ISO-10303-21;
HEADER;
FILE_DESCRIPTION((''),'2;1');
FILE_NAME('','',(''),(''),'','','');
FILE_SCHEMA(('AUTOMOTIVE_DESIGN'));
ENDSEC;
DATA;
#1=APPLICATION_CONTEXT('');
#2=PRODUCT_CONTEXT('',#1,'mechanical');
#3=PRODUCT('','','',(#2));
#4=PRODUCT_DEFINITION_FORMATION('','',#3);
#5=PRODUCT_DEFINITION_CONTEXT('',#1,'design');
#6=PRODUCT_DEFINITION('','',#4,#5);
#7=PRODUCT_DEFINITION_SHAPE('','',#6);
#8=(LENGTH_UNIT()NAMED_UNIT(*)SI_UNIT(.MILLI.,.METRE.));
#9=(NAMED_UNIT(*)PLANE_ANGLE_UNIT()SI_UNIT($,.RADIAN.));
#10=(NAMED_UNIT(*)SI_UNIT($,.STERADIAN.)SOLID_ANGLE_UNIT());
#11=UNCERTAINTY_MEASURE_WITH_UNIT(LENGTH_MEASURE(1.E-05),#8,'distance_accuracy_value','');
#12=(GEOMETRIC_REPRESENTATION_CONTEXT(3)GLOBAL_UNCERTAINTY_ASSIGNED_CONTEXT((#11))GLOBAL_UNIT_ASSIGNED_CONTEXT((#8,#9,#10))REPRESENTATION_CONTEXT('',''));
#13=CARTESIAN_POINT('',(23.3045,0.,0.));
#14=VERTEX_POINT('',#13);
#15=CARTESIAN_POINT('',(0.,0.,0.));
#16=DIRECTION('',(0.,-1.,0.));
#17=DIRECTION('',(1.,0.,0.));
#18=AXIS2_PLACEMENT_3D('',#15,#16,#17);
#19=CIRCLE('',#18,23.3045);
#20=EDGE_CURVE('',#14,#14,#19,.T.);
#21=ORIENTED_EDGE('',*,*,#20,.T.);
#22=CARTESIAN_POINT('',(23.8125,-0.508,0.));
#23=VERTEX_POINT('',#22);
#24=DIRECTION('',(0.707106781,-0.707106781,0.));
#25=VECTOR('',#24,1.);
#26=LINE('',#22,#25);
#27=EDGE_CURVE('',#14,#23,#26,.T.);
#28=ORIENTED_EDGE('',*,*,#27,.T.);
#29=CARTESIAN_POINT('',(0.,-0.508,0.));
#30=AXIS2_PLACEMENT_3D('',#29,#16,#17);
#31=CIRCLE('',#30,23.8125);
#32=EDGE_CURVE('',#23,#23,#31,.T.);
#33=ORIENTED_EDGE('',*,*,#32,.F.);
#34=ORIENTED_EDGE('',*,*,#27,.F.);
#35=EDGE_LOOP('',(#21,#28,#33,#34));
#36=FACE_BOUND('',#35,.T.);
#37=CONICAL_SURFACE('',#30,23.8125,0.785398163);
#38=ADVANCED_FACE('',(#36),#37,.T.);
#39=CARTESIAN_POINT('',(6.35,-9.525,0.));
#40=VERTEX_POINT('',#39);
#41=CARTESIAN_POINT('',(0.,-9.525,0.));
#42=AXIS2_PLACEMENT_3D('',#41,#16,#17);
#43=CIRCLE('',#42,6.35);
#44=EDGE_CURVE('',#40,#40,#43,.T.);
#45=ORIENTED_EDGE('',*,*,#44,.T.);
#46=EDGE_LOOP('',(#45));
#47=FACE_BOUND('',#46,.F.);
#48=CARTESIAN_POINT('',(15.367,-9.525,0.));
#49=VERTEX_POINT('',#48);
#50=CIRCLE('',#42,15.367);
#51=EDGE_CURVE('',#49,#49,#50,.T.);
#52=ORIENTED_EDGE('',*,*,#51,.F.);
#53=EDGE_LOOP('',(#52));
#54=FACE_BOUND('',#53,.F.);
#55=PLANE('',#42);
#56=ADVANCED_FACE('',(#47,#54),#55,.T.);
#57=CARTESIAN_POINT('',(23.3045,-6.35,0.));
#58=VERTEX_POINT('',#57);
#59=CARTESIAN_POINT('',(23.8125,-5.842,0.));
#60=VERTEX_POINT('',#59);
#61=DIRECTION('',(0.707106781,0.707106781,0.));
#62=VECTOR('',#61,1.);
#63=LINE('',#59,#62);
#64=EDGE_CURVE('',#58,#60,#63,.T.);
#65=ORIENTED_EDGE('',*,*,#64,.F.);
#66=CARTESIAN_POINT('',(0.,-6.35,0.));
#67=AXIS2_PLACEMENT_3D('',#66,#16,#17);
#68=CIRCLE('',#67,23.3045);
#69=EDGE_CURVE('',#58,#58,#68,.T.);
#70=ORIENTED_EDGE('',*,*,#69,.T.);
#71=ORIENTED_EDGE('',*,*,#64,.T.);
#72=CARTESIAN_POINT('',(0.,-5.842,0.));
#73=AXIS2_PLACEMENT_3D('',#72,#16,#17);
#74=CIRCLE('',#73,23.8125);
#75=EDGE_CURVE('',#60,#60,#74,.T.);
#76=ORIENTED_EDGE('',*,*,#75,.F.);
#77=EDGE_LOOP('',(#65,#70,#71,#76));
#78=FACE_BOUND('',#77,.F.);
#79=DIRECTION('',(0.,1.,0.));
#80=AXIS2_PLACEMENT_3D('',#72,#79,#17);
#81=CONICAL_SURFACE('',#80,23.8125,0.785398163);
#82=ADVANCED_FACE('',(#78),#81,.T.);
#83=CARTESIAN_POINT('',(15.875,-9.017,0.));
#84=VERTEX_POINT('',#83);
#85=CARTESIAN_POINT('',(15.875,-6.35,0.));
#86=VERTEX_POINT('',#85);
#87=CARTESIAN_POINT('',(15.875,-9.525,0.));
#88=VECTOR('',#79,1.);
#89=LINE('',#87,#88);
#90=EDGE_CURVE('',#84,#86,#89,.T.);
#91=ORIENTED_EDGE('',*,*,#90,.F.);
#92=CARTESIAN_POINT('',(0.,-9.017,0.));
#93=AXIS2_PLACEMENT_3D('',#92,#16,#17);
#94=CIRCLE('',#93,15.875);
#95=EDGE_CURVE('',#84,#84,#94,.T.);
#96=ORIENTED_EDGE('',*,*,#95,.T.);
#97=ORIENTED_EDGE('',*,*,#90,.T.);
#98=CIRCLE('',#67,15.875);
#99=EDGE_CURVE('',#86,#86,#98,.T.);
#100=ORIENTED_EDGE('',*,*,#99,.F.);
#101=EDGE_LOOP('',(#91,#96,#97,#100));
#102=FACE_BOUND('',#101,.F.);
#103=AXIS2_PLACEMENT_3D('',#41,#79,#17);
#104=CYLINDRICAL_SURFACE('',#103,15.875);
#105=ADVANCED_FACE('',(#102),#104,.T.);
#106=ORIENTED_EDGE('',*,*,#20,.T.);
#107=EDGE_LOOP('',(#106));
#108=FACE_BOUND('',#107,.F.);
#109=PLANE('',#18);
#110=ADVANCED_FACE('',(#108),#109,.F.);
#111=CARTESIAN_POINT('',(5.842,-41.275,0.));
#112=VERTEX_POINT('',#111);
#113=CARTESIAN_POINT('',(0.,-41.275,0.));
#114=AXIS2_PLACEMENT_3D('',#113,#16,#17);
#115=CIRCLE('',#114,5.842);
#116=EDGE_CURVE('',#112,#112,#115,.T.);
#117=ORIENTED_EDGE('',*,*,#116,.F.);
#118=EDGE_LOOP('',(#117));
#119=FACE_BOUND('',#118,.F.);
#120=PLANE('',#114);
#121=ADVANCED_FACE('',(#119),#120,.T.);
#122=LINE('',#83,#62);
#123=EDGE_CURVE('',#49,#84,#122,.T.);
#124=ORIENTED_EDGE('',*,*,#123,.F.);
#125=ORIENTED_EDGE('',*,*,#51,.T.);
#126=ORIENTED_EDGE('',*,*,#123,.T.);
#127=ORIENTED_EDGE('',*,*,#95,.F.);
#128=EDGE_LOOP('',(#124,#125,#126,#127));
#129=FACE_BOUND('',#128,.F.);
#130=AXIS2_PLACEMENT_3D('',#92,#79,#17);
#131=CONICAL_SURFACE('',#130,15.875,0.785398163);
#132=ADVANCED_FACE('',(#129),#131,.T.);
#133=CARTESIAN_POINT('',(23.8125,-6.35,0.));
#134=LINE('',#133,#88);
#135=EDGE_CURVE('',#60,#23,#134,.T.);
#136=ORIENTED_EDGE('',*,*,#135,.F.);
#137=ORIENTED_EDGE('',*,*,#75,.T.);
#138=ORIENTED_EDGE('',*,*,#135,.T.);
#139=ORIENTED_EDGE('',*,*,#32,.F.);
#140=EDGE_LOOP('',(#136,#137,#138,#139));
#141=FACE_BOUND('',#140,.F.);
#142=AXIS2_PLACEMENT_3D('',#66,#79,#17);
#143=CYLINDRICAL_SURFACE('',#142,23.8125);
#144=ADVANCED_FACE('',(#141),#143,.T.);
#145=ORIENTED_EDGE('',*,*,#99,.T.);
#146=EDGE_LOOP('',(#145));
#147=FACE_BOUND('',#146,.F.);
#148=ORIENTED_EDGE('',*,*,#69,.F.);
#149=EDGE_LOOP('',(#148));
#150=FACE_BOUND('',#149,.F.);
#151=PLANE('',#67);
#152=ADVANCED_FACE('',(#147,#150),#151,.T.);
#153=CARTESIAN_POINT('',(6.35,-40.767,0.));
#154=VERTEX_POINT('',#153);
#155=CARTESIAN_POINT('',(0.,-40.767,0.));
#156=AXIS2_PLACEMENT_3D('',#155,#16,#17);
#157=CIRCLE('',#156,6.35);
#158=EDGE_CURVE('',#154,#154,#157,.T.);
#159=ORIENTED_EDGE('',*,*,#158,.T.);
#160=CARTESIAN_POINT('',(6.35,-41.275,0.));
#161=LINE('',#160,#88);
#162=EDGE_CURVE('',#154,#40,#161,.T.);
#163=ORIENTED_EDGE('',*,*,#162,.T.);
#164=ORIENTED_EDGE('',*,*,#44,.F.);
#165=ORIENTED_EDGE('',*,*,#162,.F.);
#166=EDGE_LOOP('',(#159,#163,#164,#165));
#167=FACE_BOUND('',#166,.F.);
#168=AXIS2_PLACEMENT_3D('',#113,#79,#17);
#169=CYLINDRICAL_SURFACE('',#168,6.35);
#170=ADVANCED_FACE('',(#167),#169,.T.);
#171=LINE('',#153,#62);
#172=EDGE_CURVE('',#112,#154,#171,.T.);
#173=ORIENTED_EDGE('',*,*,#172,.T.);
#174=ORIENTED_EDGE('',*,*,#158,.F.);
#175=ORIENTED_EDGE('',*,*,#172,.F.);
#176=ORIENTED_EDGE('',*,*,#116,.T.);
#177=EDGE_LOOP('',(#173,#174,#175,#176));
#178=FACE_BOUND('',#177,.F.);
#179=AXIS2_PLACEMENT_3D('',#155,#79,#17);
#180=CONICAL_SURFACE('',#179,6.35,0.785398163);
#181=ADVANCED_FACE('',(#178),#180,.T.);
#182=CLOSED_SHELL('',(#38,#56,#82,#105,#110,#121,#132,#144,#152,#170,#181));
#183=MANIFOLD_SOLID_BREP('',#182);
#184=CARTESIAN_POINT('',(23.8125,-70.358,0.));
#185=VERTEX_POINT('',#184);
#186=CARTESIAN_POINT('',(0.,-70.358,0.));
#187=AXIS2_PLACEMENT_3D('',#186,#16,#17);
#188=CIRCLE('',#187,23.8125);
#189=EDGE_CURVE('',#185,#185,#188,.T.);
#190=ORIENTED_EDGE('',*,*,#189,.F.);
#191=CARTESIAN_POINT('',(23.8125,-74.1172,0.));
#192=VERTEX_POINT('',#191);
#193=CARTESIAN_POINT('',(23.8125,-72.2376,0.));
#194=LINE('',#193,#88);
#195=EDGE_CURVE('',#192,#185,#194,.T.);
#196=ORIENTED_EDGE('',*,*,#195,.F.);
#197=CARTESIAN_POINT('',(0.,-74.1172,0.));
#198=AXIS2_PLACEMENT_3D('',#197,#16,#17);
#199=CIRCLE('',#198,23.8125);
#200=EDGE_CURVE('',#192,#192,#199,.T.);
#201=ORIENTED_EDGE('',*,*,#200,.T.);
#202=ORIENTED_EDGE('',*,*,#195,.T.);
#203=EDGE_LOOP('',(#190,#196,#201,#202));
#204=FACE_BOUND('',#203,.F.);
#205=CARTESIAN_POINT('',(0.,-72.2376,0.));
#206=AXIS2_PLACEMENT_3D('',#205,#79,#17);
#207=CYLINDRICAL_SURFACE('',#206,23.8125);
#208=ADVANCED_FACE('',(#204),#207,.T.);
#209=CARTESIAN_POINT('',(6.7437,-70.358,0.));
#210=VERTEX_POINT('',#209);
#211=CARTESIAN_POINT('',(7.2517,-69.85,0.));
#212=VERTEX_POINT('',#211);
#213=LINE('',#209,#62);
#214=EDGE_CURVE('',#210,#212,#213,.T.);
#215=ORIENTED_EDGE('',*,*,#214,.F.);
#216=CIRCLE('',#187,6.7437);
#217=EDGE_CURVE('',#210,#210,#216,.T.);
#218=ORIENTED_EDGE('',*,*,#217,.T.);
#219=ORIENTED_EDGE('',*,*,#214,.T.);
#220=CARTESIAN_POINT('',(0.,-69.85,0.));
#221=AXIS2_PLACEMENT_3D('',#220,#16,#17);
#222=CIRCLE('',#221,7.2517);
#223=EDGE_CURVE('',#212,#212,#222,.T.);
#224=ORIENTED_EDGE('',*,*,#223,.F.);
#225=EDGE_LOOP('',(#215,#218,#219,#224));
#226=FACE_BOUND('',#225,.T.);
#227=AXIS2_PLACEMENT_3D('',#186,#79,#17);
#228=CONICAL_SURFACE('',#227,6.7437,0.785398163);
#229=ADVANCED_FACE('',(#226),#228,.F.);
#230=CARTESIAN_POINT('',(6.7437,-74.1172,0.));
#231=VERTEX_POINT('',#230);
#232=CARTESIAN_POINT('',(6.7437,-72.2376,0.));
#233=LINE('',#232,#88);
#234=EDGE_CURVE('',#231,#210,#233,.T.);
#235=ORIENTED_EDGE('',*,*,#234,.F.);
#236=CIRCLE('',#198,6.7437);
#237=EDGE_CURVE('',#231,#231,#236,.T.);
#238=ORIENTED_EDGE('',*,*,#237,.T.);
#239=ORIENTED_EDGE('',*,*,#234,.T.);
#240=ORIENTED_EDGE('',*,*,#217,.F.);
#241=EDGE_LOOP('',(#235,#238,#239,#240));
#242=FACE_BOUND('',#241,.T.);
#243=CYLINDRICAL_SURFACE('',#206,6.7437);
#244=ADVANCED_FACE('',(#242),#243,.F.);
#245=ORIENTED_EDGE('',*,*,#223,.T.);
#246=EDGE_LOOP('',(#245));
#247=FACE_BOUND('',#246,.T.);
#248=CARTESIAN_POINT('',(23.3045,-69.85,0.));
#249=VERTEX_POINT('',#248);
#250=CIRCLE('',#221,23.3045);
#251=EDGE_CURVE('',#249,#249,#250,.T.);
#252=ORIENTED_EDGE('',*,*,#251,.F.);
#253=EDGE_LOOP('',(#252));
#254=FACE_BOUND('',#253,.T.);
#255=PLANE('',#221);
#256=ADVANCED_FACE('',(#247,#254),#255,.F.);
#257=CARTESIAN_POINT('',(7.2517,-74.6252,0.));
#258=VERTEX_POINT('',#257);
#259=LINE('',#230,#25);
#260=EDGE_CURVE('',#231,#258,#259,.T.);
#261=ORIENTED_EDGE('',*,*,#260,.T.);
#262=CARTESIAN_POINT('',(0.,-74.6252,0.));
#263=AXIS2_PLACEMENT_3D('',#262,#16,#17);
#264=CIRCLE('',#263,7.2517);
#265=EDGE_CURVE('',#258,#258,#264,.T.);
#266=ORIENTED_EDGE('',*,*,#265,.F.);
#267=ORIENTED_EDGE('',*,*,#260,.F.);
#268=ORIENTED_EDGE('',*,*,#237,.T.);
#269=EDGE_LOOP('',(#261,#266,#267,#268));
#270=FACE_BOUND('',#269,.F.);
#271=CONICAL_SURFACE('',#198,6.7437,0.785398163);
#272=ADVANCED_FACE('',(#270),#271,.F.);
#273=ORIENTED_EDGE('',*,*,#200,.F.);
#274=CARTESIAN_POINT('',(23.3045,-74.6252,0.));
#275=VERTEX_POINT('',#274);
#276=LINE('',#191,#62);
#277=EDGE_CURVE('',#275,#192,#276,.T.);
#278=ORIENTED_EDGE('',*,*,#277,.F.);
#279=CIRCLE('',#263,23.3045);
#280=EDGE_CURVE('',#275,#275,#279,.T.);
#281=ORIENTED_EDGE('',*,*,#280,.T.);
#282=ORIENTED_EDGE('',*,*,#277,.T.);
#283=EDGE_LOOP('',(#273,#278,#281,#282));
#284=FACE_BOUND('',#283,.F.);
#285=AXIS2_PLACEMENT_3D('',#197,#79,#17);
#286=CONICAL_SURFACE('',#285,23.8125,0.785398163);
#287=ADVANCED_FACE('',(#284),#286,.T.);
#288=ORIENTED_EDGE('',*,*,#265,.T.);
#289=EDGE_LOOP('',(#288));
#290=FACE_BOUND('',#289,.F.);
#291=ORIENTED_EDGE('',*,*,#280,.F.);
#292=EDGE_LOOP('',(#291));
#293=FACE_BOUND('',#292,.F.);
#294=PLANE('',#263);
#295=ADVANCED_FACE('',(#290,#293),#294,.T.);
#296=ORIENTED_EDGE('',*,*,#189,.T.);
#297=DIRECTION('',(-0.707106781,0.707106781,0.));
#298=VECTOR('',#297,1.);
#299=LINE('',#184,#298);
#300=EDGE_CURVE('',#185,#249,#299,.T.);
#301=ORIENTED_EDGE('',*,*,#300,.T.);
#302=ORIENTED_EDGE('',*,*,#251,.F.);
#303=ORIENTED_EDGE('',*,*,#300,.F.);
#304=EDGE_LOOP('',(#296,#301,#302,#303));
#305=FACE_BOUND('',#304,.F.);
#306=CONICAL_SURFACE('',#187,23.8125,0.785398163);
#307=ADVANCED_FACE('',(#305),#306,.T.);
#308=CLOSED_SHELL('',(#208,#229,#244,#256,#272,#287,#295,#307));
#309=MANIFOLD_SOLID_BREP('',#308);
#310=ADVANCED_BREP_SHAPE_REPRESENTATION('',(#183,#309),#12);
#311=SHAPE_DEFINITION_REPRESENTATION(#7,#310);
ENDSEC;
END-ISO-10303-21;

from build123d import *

# Parameters (mm, degrees)
F2_W      = 17.0688
F2_H      = 4.7752
F4_SIZE   = 0.508
F4_2_SIZE = 0.508


with BuildPart() as f1:
    # F0 (on Top) → F1 (revolve)
    with BuildSketch(Plane.XY):
        Polygon((23.8125, 0), (0, 0), (0, -41.275), (6.35, -41.275), (6.35, -9.525), (15.875, -9.525), (15.875, -6.35), (23.8125, -6.35), align=None)
    revolve(axis=Axis((0, 17.466236, 0), (0, -1, 0)))

    # F4
    f4_edges = [f1.edges().sort_by_distance(p)[0] for p in [
        (-23.8125, 0, 0),
        (-23.8125, -6.35, 0),
        (-15.875, -9.525, 0),
        (-6.35, -41.275, 0),
    ]]
    chamfer(f4_edges, length=F4_SIZE)


with BuildPart() as f3:
    # F2 (on Top) → F3 (revolve)
    with BuildSketch(Plane.XY):
        with Locations((15.2781, -72.2376)):
            Rectangle(F2_W, F2_H)
    revolve(axis=Axis((0, -46.904461, 0), (0, -1, 0)))

    # F4#2
    f4_2_edges = [f3.edges().sort_by_distance(p)[0] for p in [
        (-23.8125, -69.85, 0),
        (-23.8125, -74.6252, 0),
        (-6.7437, -74.6252, 0),
        (-6.7437, -69.85, 0),
    ]]
    chamfer(f4_2_edges, length=F4_2_SIZE)


solid = Compound([f1.part, f3.part])
